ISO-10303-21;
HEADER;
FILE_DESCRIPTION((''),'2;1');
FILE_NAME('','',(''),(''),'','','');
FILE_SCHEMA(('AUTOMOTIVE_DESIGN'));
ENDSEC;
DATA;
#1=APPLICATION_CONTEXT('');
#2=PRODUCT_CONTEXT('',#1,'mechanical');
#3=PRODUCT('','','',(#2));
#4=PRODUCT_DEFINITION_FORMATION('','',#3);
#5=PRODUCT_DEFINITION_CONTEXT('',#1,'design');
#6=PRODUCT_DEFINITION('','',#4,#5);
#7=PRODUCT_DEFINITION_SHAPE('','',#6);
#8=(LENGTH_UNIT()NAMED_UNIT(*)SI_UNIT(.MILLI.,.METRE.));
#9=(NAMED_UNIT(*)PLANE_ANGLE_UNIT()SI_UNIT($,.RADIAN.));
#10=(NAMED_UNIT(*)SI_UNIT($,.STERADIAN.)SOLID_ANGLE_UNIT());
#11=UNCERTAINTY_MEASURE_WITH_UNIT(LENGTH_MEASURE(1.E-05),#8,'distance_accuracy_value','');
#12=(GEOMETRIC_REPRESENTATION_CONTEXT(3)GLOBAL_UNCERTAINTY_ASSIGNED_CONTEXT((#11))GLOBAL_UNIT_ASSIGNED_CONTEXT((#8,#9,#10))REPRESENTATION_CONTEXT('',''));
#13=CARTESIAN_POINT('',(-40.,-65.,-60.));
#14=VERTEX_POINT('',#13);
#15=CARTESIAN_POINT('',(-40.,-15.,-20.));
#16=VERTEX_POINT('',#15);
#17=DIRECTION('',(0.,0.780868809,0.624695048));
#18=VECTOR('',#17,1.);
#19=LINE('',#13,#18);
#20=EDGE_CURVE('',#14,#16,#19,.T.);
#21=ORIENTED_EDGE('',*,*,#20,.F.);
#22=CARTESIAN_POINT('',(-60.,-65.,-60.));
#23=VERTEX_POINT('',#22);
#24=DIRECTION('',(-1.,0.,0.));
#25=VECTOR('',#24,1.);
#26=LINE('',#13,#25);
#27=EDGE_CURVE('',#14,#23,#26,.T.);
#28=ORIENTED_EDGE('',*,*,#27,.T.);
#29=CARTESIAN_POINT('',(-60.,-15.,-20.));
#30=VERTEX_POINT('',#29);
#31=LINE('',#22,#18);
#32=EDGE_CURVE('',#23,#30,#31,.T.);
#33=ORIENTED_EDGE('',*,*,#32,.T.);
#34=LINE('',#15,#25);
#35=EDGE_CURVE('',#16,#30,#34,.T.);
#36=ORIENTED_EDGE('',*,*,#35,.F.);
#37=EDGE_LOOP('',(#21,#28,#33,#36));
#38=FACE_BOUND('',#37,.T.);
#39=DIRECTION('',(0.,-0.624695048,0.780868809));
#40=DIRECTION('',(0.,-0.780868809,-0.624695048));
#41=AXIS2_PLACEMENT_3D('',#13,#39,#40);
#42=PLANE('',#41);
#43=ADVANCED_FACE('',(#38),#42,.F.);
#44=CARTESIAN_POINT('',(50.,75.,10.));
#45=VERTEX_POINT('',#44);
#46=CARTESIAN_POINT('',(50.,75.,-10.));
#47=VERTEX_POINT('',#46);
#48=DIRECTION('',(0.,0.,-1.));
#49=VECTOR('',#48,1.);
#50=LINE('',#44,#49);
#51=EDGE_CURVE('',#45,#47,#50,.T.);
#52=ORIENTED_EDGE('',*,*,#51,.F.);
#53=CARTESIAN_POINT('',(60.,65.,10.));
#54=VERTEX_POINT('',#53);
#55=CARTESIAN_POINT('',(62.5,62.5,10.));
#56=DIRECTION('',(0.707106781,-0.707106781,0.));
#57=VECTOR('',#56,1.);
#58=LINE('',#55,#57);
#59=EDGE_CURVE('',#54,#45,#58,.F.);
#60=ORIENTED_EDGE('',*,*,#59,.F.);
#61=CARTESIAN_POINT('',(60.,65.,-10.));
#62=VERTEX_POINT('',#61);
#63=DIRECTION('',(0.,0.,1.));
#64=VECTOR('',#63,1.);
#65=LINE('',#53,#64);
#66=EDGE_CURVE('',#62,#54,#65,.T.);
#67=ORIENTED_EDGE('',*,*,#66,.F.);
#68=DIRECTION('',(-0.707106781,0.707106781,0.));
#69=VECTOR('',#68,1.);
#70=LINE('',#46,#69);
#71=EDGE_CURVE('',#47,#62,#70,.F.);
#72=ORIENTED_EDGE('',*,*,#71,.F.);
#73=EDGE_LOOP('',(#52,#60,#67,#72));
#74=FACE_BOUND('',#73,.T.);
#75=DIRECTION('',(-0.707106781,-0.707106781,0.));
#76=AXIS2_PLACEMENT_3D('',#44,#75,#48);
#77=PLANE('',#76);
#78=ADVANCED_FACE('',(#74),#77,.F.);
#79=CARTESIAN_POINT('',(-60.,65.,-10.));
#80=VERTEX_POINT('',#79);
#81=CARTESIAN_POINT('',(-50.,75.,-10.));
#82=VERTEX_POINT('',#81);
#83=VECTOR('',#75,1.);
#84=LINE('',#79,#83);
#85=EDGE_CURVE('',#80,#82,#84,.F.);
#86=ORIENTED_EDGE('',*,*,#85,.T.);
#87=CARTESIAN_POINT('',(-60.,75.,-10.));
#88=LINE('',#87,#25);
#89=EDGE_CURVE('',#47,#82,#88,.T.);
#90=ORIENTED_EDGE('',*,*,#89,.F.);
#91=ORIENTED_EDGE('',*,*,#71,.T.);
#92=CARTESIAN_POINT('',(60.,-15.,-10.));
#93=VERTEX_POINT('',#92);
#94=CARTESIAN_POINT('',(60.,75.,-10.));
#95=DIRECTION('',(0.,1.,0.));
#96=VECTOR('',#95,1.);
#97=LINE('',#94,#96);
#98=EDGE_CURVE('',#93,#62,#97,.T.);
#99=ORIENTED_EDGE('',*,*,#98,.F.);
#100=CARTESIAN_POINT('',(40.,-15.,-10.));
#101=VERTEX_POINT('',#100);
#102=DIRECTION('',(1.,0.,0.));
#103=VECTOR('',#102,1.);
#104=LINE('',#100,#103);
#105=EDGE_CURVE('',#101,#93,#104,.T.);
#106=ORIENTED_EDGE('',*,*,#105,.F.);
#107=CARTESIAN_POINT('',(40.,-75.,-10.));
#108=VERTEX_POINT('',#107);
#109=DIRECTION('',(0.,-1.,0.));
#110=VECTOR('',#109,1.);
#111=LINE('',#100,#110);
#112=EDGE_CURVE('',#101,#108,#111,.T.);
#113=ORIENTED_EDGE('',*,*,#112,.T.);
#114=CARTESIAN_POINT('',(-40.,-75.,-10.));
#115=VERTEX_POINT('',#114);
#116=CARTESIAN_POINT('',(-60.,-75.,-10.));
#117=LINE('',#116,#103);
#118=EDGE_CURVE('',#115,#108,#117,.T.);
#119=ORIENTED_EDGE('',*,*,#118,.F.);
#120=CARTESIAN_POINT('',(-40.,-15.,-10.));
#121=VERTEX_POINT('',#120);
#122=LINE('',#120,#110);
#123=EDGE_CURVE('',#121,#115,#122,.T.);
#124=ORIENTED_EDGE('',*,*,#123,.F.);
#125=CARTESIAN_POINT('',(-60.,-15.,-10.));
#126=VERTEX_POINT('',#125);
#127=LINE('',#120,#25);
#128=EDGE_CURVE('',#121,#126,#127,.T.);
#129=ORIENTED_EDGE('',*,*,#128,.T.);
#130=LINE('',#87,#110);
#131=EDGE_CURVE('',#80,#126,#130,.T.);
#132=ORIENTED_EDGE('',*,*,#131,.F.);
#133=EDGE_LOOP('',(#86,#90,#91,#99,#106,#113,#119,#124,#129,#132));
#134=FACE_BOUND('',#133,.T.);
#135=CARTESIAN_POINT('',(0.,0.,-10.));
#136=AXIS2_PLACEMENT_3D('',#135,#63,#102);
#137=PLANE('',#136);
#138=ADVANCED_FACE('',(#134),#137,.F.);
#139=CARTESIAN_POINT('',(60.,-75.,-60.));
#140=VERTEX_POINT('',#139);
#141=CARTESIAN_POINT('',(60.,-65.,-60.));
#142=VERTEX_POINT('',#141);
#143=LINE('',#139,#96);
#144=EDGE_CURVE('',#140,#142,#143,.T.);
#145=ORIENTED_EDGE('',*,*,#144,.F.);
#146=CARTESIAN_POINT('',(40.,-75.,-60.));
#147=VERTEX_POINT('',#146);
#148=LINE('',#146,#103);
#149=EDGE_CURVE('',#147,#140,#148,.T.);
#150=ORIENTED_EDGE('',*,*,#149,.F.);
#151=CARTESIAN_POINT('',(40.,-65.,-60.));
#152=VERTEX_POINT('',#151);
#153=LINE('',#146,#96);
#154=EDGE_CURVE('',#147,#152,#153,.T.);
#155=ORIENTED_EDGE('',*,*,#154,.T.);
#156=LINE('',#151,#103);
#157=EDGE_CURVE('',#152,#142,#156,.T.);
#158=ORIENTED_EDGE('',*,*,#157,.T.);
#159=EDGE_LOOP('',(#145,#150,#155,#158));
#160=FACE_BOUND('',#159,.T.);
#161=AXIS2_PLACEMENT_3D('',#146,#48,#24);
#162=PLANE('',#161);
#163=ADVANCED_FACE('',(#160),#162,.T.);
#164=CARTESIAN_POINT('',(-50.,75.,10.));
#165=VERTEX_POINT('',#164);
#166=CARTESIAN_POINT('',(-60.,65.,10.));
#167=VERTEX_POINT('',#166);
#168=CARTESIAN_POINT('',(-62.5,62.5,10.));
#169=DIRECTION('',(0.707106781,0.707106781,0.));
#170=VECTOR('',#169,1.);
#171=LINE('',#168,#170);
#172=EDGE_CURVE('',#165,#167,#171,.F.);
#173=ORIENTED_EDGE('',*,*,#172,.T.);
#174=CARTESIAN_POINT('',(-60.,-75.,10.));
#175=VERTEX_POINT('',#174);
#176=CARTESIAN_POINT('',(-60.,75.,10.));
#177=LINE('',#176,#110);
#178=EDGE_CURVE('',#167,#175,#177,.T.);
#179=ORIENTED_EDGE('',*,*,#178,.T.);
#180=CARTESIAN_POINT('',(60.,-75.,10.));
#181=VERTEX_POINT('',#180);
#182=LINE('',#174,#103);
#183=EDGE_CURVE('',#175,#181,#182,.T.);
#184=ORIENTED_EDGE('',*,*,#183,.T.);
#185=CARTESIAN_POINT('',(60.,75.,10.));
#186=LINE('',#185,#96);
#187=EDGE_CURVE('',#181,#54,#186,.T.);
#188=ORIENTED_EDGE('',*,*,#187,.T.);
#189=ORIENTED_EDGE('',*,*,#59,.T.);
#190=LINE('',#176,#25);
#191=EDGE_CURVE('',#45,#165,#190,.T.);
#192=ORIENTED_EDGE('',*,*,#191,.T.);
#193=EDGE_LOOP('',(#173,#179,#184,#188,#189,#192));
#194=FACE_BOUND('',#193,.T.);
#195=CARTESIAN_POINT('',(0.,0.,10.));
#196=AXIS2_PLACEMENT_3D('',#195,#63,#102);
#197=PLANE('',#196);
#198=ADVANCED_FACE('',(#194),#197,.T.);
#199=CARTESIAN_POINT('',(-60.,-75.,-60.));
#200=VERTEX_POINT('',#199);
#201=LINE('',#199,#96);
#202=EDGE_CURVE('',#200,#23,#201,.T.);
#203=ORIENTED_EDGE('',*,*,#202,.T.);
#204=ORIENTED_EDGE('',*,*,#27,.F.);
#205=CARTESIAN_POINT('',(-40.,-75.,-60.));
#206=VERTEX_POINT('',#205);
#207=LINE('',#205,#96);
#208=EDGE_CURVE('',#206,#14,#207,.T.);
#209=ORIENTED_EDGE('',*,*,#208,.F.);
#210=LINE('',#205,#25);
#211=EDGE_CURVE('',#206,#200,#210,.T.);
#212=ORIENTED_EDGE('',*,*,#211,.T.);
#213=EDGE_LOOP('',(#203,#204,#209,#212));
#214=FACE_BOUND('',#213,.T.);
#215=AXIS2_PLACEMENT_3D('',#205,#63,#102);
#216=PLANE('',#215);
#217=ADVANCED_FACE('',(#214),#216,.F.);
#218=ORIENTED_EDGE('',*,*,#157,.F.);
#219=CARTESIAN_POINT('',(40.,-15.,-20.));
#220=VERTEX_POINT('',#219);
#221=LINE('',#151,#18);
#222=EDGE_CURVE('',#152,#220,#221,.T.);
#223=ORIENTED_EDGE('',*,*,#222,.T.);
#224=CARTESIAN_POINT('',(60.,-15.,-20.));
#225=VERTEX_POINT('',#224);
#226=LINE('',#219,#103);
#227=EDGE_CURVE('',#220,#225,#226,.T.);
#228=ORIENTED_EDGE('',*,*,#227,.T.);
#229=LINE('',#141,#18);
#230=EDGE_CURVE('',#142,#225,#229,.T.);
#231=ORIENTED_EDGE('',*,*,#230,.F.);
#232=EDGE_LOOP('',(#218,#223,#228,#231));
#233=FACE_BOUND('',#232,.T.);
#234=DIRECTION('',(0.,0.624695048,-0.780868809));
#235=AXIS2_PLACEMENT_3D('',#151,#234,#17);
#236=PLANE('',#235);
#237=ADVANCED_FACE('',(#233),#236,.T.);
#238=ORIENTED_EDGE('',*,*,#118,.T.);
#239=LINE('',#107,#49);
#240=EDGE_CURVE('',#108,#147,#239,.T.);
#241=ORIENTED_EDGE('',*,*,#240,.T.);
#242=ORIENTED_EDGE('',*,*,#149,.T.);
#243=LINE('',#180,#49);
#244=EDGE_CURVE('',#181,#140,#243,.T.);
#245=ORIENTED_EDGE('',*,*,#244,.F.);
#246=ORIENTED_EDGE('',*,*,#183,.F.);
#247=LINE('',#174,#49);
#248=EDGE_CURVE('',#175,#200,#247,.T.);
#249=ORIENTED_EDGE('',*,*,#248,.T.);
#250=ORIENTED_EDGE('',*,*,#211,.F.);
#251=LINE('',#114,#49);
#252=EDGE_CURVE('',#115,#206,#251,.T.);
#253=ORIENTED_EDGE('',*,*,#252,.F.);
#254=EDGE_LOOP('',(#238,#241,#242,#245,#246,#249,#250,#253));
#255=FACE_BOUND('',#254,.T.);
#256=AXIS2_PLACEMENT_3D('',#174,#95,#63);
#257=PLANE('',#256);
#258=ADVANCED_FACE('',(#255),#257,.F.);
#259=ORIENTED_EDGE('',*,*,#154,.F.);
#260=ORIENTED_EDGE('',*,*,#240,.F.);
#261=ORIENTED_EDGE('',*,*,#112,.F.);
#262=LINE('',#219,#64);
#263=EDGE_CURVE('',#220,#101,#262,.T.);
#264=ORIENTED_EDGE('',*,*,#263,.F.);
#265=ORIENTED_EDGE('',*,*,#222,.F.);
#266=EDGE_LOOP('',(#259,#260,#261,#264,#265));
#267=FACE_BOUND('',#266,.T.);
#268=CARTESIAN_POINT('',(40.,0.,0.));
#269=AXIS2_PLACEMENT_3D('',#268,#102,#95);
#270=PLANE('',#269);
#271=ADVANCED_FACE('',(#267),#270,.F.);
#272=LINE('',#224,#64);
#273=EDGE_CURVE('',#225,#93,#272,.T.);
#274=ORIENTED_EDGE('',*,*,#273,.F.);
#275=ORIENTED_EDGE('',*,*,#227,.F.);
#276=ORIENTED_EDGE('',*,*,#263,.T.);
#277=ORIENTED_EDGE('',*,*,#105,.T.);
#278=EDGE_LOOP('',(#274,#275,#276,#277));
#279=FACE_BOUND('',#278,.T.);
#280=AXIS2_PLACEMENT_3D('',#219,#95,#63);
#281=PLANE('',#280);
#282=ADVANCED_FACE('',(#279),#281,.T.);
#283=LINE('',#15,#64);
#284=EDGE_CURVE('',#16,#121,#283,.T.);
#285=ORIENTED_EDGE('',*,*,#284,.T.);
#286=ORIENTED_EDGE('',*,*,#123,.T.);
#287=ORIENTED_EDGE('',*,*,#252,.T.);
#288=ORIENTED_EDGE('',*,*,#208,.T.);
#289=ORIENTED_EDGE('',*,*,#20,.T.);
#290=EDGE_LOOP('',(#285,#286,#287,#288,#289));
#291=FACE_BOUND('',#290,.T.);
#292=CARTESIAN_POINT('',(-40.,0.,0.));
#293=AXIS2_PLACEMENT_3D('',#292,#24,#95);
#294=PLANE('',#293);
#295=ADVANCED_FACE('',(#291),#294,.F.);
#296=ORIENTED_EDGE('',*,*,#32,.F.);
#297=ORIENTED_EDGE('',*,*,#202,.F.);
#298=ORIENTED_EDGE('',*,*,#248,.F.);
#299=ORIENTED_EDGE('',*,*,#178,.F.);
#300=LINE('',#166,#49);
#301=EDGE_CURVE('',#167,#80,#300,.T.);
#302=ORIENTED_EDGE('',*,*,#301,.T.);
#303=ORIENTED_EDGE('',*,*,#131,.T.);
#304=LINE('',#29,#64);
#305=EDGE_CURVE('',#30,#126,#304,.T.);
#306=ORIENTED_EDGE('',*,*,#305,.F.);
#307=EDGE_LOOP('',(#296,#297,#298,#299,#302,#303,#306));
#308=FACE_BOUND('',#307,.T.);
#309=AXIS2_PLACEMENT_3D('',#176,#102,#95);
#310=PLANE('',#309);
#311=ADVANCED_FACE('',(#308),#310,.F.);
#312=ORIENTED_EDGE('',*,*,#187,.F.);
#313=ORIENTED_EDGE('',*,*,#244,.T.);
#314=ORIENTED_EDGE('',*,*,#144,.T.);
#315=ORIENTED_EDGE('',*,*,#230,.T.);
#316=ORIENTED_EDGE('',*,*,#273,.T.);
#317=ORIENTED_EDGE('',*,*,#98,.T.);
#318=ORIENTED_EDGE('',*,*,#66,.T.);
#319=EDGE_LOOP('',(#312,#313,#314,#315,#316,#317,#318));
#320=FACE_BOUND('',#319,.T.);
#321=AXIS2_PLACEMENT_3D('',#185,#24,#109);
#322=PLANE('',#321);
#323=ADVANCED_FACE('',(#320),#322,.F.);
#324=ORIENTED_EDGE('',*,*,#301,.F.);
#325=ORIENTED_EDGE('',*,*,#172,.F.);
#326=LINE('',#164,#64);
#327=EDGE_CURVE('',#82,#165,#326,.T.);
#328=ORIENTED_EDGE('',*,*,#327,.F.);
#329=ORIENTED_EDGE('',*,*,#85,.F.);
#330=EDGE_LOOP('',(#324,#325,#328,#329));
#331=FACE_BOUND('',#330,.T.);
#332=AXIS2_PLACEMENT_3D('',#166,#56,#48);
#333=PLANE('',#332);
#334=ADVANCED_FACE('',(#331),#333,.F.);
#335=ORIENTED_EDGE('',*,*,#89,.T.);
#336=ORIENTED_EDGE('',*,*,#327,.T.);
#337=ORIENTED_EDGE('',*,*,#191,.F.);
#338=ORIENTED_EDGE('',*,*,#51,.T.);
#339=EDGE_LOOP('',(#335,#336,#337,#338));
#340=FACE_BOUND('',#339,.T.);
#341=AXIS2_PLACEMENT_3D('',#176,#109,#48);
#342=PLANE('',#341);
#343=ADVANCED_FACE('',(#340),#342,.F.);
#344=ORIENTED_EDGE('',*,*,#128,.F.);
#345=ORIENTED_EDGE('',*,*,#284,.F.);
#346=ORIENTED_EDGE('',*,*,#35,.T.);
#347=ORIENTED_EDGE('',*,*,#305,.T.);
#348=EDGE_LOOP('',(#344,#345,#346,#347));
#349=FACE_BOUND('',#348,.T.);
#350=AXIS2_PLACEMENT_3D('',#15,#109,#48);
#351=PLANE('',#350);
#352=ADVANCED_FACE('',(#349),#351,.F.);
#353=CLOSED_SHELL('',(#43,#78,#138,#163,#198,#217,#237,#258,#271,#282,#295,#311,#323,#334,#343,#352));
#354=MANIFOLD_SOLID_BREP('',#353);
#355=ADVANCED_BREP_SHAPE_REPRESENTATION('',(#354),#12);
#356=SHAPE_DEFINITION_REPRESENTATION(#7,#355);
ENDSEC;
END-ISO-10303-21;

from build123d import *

# Parameters (mm, degrees)
SKETCH_1_W      = 120
SKETCH_1_H      = 150
EXTRUDE_1_DEPTH = 10
CHAMFER_1_SIZE  = 10
EXTRUDE_2_DEPTH = 20


with BuildPart() as part:
    # 草图1 → 凸台-拉伸1 (new, symmetric)
    with BuildSketch(Plane.XY):
        Rectangle(SKETCH_1_W, SKETCH_1_H)
    extrude(amount=EXTRUDE_1_DEPTH, both=True)

    # 倒角1
    chamfer_1_edges = [part.edges().sort_by_distance(p)[0] for p in [
        (-60, 75, 0),
        (60, 75, 0),
    ]]
    chamfer(chamfer_1_edges, length=CHAMFER_1_SIZE)

    # 草图2 → 凸台-拉伸2 (add)
    with BuildSketch(Plane(origin=(60, 0, 0), x_dir=(0, 0, -1), z_dir=(1, 0, 0))):
        Polygon((10, -75), (60, -75), (60, -65), (20, -15), (10, -15), align=None)
    extrude_2 = extrude(amount=-EXTRUDE_2_DEPTH)

    # 镜向1: 凸台-拉伸2 across plane
    add(extrude_2.mirror(Plane(origin=(0, 0, 0), x_dir=(0, 0, 1), z_dir=(1, 0, 0))))


solid = part.part
